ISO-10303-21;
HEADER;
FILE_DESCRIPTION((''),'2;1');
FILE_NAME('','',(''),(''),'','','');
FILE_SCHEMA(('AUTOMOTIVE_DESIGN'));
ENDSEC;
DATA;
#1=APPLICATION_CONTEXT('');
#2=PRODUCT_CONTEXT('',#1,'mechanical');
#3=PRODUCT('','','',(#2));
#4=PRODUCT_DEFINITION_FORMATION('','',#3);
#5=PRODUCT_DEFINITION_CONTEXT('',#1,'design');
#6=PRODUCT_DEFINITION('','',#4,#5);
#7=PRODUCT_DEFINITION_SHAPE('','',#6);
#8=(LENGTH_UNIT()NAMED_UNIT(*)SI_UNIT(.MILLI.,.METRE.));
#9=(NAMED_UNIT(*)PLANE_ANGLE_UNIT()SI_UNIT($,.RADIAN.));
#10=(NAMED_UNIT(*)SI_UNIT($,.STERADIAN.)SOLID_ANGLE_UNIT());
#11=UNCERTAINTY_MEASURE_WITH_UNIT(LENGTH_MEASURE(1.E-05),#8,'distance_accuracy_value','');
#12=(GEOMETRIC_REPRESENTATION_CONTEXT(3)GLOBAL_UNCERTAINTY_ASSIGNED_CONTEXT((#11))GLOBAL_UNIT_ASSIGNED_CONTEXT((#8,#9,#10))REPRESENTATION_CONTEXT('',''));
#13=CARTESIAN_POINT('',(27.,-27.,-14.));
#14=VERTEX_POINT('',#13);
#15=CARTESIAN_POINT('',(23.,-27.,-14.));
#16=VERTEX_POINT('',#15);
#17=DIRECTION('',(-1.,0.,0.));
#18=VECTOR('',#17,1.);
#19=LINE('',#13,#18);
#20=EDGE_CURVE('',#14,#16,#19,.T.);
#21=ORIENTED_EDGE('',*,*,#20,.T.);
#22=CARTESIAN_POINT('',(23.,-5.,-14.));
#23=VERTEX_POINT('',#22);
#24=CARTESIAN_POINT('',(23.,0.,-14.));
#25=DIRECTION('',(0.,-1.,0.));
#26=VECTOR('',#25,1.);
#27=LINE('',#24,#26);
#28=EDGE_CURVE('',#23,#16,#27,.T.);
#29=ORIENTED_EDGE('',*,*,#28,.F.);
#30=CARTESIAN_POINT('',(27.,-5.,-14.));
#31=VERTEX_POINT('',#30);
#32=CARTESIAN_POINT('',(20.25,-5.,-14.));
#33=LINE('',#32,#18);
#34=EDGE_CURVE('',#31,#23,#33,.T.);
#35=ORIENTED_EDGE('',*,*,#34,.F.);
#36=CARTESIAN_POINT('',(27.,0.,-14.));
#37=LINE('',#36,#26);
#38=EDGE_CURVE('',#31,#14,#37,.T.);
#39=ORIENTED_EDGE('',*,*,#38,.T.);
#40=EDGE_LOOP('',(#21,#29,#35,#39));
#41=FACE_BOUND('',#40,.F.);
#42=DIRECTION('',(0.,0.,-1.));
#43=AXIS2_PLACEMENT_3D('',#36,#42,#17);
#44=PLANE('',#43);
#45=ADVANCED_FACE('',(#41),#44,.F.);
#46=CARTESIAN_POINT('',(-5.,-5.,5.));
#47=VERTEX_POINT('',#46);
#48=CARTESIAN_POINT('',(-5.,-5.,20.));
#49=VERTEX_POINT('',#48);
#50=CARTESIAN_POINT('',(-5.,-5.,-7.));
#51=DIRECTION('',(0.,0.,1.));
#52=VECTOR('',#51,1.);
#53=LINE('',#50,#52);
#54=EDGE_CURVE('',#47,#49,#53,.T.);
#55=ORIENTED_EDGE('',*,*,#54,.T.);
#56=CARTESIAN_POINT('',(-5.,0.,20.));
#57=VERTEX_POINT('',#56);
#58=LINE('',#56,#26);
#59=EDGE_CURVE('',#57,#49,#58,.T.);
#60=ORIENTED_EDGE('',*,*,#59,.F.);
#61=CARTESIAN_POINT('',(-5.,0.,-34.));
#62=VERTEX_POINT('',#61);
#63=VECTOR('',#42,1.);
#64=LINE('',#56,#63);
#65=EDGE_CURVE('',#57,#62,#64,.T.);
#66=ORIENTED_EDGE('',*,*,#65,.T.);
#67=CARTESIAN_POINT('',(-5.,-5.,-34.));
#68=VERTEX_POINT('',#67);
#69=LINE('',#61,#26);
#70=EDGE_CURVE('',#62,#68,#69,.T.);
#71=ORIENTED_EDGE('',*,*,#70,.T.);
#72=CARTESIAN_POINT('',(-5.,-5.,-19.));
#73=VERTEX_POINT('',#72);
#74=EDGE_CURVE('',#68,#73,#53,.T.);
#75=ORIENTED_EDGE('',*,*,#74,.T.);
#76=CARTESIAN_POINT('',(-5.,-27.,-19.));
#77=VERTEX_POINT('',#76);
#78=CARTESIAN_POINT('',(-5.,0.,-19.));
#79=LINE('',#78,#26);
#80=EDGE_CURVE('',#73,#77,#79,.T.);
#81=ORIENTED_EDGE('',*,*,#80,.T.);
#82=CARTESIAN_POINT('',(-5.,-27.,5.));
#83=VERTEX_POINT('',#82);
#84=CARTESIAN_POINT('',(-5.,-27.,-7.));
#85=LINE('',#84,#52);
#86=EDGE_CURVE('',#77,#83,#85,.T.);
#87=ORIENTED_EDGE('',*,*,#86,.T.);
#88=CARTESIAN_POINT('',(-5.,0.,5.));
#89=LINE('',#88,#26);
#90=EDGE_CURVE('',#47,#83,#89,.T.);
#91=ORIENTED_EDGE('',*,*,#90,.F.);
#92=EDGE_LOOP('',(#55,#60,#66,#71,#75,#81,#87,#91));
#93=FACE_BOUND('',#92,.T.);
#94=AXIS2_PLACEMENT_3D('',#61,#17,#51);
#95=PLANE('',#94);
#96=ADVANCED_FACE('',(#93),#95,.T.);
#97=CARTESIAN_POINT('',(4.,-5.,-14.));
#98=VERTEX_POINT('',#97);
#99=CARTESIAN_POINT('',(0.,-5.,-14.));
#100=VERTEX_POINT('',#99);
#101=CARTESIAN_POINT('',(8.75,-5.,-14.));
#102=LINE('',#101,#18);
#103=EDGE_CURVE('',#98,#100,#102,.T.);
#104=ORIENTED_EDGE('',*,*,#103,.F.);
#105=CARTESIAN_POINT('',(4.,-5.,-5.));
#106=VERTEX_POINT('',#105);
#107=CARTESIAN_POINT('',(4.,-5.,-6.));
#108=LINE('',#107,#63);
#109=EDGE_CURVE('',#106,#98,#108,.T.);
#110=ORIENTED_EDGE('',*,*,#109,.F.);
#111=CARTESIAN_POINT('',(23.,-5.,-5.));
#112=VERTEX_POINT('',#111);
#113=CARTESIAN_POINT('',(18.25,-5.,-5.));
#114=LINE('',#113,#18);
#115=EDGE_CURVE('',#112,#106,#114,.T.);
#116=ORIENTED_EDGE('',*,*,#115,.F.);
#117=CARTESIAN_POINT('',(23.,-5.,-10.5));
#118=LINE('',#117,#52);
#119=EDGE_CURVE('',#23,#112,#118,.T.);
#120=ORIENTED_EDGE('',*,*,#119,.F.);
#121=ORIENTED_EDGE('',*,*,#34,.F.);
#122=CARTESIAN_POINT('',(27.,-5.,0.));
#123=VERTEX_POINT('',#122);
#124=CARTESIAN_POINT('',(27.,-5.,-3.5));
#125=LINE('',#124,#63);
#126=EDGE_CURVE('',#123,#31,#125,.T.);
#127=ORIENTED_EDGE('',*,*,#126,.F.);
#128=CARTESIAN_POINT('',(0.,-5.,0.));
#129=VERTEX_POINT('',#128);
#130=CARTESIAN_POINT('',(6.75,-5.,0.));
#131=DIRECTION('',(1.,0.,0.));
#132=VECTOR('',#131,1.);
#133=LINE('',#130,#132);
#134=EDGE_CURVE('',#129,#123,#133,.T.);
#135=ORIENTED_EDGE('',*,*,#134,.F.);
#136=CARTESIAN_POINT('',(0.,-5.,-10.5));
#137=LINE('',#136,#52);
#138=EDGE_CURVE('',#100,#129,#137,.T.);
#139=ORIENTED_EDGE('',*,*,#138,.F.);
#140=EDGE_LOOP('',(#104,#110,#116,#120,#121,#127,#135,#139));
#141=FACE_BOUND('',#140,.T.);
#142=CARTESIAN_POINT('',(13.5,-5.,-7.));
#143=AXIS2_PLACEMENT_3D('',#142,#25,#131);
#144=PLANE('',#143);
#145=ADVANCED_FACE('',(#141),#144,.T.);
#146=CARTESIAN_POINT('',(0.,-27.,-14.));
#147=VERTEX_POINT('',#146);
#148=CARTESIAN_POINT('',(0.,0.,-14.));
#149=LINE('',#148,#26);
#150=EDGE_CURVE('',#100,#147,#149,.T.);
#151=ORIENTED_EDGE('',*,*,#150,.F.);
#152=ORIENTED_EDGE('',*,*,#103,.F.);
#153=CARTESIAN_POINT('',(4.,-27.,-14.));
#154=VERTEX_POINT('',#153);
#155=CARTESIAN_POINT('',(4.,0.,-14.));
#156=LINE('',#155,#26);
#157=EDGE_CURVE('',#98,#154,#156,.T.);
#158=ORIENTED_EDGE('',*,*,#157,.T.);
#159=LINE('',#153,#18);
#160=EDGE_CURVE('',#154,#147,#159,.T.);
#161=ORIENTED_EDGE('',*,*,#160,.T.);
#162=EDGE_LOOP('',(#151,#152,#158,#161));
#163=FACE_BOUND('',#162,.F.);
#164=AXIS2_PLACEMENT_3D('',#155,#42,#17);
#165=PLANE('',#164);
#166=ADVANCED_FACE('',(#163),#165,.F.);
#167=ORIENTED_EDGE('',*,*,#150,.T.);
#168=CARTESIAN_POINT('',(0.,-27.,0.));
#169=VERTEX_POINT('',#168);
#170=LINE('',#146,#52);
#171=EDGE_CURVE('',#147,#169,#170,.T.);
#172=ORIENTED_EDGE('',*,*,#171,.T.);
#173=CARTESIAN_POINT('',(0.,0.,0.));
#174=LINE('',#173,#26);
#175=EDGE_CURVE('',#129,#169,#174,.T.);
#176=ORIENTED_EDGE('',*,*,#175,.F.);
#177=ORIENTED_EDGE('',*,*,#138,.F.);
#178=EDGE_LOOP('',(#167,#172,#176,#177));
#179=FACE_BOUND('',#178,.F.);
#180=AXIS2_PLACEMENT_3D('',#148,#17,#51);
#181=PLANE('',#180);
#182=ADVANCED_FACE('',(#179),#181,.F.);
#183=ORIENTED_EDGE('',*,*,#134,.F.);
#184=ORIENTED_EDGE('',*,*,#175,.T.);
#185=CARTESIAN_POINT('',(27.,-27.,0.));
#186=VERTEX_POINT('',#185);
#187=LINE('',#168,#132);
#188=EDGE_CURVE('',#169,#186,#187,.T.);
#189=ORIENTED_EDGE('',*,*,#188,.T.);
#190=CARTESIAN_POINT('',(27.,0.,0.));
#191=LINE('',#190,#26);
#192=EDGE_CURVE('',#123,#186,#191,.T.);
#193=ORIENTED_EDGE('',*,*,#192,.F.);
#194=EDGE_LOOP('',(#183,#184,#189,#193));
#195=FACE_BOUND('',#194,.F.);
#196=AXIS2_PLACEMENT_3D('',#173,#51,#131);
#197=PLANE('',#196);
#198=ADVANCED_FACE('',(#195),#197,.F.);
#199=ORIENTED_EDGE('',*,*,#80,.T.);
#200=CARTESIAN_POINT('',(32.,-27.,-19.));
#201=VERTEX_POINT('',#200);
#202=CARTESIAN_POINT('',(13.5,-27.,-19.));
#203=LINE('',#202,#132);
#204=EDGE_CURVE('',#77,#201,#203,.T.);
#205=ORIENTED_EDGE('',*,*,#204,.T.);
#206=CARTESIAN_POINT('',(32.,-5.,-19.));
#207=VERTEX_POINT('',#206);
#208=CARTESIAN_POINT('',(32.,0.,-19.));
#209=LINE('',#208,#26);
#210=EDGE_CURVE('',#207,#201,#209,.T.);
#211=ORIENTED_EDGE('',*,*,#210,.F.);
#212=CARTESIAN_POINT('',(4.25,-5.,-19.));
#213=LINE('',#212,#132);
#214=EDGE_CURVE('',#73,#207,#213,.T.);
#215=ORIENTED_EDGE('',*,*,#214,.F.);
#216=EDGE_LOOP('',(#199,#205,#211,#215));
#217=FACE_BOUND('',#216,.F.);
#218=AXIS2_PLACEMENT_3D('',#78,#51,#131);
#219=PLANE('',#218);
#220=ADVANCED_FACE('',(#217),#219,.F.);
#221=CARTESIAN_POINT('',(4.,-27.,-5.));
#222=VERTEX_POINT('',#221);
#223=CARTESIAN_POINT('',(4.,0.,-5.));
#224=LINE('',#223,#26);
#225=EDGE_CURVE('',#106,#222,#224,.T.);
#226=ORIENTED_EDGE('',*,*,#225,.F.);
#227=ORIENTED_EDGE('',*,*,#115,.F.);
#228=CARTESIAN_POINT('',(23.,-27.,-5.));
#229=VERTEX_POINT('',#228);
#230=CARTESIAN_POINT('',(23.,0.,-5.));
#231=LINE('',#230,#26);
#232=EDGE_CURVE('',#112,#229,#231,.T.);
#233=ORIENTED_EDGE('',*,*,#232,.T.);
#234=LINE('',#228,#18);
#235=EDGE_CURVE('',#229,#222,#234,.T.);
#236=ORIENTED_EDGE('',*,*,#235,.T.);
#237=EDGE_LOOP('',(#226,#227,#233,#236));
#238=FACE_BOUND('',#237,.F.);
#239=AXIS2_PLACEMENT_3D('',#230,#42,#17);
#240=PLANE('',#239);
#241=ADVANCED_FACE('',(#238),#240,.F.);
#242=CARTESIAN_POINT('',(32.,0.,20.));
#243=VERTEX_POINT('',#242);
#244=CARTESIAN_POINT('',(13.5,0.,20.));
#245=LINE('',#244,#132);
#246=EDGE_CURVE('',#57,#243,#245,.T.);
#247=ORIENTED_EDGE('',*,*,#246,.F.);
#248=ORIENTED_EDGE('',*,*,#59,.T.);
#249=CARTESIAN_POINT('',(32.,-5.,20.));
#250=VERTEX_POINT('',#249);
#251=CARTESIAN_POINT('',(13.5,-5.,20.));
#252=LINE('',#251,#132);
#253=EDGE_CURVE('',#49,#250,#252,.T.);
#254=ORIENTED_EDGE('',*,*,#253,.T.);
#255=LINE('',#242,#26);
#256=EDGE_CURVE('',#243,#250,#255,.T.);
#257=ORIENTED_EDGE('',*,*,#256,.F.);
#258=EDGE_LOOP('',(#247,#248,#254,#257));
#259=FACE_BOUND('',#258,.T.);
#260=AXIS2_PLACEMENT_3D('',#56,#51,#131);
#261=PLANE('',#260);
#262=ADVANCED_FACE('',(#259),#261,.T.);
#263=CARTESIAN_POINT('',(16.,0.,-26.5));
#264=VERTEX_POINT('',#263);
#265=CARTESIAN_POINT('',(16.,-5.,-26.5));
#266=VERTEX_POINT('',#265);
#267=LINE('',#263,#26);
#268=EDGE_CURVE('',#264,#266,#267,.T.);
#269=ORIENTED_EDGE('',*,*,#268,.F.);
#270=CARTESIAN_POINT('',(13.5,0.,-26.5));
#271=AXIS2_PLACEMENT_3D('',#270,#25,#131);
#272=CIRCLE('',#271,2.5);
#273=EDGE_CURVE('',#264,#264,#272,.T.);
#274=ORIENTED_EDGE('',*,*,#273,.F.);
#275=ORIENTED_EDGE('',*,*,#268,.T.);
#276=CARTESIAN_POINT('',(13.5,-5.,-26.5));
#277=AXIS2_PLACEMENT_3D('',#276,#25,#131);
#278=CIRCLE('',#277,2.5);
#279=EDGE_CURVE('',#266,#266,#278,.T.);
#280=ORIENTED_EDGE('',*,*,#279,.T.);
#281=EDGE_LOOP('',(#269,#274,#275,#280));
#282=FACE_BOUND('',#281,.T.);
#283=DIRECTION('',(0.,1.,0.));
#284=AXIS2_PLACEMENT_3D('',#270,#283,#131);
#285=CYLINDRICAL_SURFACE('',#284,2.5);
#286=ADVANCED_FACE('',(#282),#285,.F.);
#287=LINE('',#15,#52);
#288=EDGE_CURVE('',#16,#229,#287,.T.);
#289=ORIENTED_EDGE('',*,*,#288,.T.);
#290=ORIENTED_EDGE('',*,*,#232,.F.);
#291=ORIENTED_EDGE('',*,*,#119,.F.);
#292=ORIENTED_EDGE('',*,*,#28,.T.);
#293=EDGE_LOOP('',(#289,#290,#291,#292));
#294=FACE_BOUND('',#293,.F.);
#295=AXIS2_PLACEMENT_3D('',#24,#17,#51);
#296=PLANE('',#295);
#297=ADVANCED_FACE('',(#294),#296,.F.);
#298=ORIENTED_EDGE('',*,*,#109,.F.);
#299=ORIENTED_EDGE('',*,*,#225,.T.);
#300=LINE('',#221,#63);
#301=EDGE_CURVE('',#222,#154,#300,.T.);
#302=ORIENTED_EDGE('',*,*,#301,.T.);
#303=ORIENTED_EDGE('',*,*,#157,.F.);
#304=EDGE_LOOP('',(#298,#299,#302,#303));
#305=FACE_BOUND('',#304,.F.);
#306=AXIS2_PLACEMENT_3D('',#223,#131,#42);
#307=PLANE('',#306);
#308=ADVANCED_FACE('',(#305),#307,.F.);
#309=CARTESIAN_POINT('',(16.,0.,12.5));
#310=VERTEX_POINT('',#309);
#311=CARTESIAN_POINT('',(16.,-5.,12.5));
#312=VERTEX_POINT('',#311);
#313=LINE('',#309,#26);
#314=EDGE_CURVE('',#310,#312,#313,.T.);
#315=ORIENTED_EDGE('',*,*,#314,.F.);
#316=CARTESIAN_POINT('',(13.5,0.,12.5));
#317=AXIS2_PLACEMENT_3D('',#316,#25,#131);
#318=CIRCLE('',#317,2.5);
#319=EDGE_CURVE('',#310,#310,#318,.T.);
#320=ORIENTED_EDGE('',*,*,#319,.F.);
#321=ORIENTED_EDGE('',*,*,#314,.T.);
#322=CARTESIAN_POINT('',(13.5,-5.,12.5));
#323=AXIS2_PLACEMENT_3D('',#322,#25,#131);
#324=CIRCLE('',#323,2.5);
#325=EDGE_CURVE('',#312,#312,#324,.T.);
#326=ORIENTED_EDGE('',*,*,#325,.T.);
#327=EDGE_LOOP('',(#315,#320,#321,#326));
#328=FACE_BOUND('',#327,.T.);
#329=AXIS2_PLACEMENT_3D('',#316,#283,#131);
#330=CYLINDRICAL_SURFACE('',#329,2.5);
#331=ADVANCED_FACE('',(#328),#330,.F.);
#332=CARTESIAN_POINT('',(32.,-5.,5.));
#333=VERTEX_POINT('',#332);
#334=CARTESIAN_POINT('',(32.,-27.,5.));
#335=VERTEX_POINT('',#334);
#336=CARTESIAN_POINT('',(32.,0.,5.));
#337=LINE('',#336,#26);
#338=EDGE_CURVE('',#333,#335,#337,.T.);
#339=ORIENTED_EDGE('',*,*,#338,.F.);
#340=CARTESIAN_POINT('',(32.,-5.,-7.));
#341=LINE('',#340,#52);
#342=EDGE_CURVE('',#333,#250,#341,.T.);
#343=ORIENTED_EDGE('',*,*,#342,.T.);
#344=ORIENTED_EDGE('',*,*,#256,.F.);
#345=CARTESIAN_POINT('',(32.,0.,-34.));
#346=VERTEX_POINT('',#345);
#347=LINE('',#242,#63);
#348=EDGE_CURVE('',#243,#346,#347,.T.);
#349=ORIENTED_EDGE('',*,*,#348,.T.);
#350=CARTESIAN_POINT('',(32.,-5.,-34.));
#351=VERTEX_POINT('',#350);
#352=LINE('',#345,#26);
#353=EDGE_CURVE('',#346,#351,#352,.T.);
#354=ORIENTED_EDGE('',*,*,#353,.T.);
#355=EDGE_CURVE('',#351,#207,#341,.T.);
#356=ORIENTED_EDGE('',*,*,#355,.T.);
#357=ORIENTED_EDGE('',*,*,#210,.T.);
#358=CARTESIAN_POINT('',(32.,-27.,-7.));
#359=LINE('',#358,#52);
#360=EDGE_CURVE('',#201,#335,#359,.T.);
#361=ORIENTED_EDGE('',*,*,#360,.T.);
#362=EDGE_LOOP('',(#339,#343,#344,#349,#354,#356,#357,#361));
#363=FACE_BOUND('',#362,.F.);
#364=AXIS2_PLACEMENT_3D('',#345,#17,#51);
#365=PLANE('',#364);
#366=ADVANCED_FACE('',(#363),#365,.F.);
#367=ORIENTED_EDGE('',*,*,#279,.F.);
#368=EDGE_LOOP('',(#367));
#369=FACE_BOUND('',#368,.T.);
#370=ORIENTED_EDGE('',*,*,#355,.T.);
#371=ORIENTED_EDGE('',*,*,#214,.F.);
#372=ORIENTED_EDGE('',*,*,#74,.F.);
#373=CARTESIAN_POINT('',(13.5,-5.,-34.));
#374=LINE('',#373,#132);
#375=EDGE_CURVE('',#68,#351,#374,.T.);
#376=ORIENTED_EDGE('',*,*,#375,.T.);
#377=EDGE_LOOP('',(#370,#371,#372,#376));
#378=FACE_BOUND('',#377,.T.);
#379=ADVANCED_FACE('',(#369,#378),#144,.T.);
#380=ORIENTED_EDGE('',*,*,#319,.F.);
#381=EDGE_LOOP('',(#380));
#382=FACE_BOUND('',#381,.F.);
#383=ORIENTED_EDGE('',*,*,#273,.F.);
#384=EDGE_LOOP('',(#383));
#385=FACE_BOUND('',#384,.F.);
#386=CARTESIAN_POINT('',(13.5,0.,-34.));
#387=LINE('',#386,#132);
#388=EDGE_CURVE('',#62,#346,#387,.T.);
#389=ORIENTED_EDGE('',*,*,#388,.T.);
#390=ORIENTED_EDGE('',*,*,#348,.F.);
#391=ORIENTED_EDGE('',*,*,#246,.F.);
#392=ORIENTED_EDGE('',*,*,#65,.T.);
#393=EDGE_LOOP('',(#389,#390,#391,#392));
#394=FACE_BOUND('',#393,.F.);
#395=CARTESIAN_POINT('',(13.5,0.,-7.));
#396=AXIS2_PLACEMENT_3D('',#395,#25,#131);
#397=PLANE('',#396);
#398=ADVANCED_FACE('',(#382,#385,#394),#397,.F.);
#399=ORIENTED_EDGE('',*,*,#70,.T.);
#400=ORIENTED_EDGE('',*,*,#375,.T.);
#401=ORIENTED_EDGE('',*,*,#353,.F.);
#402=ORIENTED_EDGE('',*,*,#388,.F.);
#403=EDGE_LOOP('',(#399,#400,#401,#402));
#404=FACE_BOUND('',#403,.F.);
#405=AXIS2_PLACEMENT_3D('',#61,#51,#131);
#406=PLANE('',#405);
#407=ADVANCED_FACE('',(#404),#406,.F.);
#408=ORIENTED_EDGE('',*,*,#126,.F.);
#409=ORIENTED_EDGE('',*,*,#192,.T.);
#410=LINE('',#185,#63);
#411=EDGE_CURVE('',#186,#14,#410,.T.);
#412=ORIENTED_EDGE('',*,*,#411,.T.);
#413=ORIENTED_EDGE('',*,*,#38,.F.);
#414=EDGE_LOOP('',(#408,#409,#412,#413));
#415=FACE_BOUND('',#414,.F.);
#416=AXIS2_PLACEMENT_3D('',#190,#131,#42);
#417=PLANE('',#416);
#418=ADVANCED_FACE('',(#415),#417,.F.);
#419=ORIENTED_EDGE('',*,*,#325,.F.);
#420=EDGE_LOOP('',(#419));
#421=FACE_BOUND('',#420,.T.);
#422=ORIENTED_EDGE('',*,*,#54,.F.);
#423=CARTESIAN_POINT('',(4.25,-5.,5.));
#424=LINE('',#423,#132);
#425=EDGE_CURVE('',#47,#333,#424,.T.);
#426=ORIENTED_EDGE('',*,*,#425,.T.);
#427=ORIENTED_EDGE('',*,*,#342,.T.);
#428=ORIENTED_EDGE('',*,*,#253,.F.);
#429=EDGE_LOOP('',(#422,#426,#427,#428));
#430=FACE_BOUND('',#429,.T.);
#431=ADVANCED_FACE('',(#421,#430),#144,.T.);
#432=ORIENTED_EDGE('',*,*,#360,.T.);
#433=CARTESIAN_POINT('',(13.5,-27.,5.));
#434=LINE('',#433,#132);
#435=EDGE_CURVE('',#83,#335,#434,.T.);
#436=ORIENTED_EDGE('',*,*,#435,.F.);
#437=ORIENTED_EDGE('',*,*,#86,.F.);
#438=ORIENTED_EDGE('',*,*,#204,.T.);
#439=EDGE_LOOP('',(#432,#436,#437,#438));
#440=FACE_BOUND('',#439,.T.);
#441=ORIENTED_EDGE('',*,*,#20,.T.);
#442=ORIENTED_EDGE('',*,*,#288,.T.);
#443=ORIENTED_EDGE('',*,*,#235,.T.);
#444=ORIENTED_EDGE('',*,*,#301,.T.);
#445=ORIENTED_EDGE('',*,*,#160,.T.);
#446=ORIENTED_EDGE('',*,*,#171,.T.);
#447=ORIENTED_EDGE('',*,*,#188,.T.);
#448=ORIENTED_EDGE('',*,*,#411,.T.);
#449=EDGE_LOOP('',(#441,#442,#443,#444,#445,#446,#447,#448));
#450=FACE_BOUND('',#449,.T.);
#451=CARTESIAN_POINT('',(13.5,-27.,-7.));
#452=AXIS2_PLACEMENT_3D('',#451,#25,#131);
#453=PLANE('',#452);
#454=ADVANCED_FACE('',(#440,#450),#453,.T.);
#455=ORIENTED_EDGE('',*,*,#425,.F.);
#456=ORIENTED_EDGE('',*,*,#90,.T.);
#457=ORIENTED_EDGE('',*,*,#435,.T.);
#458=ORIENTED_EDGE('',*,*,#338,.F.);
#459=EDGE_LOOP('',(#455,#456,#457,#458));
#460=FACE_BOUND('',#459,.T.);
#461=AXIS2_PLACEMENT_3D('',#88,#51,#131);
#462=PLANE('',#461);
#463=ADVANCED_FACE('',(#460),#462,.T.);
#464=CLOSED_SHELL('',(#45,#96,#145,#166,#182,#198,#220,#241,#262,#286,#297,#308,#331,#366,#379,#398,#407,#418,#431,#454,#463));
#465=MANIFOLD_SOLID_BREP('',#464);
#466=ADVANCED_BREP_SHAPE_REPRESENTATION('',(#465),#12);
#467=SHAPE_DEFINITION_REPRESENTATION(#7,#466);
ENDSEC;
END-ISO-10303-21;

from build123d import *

# Parameters (mm, degrees)
F0_W     = 37
F0_H     = 24
F1_DEPTH = 27
F2_W     = 37
F2_H     = 54
F2_R     = 2.5
F3_DEPTH = 5


with BuildPart() as f1:
    # F0 (on Front) → F1 (new body)
    with BuildSketch(Plane.XZ):
        with Locations((13.5, -7)):
            Rectangle(F0_W, F0_H)
        Polygon((0, -14), (0, 0), (27, 0), (27, -14), (23, -14), (23, -5), (4, -5), (4, -14), align=None, mode=Mode.SUBTRACT)
    extrude(amount=F1_DEPTH)

    # F2 (on Front) → F3 (join)
    with BuildSketch(Plane.XZ):
        with Locations((13.5, -7)):
            Rectangle(F2_W, F2_H)
        with Locations((13.5, -26.5)):
            Circle(F2_R, mode=Mode.SUBTRACT)
        with Locations((13.5, 12.5)):
            Circle(F2_R, mode=Mode.SUBTRACT)
    extrude(amount=F3_DEPTH)


solid = f1.part
